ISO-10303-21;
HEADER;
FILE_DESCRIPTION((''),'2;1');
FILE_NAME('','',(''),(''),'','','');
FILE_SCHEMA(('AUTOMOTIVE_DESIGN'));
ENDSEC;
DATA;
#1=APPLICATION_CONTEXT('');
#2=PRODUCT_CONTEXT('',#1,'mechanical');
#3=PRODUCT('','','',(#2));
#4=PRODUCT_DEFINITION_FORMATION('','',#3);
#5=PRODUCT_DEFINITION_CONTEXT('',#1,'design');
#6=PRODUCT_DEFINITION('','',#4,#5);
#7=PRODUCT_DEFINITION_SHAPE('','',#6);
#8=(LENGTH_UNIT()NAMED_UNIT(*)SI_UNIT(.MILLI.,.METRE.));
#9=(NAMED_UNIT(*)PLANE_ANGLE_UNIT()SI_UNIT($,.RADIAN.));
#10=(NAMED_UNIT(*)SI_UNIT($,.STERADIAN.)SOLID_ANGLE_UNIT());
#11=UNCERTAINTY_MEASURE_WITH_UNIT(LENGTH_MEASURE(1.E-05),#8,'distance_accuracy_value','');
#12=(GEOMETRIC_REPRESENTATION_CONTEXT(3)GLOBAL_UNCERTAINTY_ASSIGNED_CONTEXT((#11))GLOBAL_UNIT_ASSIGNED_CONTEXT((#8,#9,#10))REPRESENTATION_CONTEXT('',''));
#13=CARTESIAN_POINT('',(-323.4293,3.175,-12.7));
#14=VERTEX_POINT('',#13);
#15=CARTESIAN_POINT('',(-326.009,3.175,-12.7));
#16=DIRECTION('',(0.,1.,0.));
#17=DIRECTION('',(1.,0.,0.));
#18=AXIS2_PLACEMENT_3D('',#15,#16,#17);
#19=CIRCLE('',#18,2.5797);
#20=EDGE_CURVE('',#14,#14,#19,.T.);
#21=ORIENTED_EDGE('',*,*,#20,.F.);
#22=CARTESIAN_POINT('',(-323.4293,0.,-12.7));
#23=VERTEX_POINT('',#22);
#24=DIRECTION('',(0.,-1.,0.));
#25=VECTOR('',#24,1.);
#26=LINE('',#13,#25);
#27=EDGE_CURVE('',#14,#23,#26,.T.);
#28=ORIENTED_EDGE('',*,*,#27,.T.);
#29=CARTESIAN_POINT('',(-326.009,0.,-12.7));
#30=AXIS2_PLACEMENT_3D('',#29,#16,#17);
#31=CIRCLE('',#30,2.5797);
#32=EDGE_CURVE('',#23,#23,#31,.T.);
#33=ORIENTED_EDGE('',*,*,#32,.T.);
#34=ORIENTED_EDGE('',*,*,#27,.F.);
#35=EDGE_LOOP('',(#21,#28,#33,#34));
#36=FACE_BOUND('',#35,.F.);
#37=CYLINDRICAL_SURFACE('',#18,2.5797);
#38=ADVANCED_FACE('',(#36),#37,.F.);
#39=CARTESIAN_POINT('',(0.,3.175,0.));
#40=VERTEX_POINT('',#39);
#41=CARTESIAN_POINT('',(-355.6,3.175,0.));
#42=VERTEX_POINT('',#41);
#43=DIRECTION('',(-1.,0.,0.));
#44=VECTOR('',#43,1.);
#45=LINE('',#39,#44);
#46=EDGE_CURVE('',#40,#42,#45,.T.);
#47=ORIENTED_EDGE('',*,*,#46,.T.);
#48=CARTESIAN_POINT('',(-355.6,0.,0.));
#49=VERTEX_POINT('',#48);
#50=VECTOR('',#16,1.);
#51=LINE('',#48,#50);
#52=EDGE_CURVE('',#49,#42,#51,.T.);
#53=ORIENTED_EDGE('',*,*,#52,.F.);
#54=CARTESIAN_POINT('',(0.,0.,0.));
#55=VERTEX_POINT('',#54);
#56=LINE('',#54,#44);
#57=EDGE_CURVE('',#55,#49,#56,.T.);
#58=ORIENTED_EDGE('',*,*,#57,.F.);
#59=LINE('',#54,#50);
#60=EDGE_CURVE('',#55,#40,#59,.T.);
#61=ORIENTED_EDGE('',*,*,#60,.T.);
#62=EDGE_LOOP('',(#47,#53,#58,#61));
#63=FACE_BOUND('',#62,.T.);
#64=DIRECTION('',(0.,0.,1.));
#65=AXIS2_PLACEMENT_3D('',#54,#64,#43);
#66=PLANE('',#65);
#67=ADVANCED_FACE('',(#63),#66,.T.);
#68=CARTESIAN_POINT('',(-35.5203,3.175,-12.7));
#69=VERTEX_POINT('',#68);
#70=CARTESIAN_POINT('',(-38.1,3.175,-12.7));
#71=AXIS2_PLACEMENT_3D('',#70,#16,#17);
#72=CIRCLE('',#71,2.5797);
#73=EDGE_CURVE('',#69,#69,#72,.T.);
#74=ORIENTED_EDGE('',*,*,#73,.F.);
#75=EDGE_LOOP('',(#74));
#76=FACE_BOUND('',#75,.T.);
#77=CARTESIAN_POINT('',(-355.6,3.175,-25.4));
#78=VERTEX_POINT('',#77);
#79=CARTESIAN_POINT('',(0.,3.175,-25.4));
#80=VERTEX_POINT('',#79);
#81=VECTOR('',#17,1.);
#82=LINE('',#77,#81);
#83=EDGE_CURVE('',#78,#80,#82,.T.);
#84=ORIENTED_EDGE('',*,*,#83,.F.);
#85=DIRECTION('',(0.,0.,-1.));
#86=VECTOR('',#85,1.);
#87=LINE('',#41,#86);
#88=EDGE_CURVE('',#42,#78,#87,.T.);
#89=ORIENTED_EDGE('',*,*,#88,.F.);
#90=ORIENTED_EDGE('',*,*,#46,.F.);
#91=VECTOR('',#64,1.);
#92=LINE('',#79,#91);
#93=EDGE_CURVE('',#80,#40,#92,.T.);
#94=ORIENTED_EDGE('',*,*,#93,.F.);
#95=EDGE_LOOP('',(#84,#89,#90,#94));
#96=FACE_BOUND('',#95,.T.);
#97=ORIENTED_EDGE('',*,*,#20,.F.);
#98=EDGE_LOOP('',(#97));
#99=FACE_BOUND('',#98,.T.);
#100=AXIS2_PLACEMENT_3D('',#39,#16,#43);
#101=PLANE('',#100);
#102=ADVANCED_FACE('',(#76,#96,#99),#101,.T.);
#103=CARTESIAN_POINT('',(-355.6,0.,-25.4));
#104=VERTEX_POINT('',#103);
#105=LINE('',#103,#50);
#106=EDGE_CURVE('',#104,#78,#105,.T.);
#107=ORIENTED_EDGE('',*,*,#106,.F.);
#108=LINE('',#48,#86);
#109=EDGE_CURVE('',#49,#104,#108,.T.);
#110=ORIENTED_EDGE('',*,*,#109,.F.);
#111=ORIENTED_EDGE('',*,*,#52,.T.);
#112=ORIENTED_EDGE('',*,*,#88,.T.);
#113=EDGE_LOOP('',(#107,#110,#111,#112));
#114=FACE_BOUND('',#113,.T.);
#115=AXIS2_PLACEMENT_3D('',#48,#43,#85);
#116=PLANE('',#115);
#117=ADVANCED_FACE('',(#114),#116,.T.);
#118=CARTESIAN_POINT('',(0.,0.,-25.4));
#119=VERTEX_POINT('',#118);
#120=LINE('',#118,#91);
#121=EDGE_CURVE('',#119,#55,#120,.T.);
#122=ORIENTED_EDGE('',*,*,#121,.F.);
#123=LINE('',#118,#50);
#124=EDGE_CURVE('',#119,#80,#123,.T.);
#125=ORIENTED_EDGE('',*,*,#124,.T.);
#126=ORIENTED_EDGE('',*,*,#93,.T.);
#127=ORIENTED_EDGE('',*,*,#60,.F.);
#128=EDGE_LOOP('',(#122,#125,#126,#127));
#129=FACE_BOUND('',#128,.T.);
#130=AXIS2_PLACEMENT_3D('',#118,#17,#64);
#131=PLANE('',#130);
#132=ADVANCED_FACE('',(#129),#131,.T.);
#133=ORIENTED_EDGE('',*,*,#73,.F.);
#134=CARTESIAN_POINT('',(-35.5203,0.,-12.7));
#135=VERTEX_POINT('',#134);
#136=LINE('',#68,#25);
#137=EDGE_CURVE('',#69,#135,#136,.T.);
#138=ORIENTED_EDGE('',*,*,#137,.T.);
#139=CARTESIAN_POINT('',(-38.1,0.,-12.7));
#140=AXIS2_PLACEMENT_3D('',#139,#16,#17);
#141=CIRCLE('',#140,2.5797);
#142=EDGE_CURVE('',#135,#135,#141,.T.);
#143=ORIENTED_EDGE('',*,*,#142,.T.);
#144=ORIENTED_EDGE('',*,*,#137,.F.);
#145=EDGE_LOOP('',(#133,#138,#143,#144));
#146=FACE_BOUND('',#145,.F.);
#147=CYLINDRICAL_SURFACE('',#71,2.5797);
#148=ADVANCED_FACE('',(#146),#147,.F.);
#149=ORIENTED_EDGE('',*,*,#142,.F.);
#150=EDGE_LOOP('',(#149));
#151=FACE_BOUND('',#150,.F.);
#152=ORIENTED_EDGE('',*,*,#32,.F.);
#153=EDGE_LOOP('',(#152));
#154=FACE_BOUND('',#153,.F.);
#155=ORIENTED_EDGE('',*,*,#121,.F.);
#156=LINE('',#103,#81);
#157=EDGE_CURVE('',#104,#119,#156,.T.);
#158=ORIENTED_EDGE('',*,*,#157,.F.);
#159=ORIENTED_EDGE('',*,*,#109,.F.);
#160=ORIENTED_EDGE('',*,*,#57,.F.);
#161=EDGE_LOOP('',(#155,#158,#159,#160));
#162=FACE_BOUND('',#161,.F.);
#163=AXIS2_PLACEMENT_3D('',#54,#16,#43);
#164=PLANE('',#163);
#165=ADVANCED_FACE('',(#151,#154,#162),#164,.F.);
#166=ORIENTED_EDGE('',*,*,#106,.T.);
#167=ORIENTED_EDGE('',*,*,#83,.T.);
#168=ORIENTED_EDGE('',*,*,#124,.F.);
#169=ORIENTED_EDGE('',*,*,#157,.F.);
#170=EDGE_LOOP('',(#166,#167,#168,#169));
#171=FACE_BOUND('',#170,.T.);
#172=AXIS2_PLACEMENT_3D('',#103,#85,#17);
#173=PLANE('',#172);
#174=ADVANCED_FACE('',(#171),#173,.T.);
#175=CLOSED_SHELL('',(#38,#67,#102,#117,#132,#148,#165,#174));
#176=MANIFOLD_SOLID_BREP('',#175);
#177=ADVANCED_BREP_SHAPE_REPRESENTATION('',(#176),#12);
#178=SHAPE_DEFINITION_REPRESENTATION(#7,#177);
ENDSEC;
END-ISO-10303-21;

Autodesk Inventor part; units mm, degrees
ref_plane "YZ Plane" through (0, 0, 0) normal (1, 0, 0) x (0, 1, 0)
ref_plane "XZ Plane" through (0, 0, 0) normal (0, 1, 0) x (-1, 0, 0)
ref_plane "XY Plane" through (0, 0, 0) normal (0, 0, 1) x (1, 0, 0)
sketch "Sketch1" plane through (0, 0, 0) normal (0, 1, 0) x (-1, 0, 0)
  line L0 (0, 0) -> (355.6, 0)
  line L1 (355.6, 0) -> (355.6, -25.4)
  line L2 (355.6, -25.4) -> (0, -25.4)
  line L3 (0, -25.4) -> (0, 0)
  dimension "d0" = 355.6
  dimension "d1" = 25.4
extrude "Extrusion1" add sketch "Sketch1" along normal blind 3.175
sketch "Sketch2" plane through (0, 3.175, 0) normal (0, 1, 0) x (1, 0, 0)
  line L0 (0, 0) -> (0, 25.4) construction
  line L1 (0, 12.7) -> (-38.1, 12.7) construction
  line L2 (-38.1, 12.7) -> (-326.009, 12.7) construction
  circle A0 centre (-38.1, 12.7) radius 2.5797
  circle A1 centre (-326.009, 12.7) radius 2.5797
  dimension "d4" = 38.1
  dimension "d5" = 287.909
  dimension "d6" = 5.1594
  dimension "d7" = 5.1594
extrude "Extrusion2" cut sketch "Sketch2" against normal blind 3.175
properties part number "Hard Stop"
